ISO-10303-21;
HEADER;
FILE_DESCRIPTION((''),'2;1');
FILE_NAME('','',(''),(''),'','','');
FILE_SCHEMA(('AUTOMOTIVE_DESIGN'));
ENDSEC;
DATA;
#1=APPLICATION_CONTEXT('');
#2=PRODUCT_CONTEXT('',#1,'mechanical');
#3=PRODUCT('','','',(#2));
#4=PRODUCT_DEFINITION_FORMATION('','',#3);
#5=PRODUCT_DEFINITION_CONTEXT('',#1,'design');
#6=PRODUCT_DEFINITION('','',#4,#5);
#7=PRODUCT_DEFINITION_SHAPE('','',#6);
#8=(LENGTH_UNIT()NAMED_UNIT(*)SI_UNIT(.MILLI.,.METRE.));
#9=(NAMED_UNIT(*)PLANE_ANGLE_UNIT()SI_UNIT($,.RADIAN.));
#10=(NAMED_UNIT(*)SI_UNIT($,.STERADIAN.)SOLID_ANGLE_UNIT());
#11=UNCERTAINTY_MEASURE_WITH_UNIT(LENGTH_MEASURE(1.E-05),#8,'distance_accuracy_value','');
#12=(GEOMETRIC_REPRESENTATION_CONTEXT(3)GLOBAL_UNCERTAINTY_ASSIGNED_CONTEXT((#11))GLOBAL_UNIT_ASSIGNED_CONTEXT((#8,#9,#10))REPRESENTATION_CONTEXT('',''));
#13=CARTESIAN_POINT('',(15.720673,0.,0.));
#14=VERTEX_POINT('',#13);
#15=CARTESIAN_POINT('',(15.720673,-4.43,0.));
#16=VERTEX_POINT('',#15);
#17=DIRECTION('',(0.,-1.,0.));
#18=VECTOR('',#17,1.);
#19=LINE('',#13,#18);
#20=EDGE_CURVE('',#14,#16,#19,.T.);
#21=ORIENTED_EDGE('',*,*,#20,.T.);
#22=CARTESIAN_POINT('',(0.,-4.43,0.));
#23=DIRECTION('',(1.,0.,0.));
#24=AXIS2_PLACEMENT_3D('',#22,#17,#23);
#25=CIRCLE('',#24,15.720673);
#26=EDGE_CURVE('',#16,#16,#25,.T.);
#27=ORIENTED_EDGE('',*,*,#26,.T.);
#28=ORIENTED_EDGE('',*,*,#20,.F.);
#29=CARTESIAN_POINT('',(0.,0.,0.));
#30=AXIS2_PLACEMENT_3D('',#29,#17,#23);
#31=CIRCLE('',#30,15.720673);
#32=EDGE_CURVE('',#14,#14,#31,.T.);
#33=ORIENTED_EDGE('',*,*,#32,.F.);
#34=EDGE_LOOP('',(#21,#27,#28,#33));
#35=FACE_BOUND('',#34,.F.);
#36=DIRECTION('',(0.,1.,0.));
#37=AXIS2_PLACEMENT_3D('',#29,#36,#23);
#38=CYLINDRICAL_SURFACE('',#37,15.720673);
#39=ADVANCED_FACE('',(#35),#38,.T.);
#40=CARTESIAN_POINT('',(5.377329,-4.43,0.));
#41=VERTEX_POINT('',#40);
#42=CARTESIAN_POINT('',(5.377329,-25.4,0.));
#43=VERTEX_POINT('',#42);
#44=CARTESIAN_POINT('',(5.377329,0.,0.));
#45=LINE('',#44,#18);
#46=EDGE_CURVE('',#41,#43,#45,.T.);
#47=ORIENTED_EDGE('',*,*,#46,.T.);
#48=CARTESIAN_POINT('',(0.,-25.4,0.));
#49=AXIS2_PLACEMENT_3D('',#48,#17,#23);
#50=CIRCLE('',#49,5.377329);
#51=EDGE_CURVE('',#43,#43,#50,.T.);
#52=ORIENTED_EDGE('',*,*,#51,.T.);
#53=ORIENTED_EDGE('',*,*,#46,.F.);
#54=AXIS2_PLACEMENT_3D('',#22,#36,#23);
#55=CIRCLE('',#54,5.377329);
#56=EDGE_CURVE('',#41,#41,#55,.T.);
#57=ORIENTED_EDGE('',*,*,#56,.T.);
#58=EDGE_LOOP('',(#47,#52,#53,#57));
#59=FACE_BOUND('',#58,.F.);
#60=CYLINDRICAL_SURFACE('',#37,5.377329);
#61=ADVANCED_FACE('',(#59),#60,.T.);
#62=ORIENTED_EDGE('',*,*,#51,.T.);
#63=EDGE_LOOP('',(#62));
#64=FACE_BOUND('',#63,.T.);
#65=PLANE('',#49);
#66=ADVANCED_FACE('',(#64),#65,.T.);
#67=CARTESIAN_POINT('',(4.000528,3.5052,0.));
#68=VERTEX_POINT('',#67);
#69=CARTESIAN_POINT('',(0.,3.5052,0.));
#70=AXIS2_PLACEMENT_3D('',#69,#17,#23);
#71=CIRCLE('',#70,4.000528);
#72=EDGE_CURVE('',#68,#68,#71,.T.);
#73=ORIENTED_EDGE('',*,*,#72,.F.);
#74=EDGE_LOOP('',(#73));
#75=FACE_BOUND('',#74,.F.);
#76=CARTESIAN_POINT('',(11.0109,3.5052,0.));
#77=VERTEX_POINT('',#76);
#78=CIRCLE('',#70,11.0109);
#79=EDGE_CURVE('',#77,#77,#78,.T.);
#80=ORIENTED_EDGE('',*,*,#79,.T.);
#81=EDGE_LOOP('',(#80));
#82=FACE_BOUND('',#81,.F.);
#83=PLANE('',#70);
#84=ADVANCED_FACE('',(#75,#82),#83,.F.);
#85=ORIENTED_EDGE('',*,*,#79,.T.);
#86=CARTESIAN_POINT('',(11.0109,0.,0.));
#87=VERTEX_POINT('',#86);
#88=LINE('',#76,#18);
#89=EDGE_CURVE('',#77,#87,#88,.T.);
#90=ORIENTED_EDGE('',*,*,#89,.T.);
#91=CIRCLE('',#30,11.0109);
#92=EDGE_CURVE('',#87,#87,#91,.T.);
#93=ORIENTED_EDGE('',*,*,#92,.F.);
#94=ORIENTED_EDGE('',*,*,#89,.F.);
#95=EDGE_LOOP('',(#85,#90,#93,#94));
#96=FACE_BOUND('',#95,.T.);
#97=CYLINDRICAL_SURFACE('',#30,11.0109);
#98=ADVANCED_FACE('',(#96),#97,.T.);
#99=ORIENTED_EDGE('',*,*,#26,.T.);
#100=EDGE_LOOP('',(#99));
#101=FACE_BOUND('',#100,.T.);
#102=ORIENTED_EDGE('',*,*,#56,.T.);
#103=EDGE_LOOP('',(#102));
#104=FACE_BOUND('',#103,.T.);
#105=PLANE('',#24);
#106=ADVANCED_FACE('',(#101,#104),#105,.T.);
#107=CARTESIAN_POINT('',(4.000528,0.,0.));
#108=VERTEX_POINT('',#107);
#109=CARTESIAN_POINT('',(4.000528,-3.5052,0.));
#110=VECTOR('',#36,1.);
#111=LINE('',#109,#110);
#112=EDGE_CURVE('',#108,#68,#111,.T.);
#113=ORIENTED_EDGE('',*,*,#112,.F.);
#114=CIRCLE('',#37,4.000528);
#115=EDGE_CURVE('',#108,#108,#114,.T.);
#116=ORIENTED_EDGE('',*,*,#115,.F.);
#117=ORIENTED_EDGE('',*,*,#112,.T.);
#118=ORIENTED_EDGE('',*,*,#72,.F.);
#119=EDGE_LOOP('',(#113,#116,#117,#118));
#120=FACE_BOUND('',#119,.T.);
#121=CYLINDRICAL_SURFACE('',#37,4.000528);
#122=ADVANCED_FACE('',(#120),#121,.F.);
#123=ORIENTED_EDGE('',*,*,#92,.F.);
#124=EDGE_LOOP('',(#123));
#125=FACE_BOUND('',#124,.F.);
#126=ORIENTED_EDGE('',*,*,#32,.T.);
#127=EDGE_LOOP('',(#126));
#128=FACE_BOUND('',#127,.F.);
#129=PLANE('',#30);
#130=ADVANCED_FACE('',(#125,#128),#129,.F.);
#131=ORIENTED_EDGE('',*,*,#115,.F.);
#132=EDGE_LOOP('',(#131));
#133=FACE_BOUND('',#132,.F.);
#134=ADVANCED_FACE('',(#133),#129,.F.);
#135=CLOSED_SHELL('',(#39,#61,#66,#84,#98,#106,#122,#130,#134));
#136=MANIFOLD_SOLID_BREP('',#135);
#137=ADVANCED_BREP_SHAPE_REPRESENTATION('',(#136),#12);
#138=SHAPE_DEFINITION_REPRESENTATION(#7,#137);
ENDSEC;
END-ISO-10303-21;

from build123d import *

# Parameters (mm, degrees)
F0_R     = 11.0109
F0_R_2   = 4.0005284671
F1_DEPTH = 3.5052
F2_R     = 15.7206731231
F3_DEPTH = 4.43
F4_R     = 5.3773289571
F5_DEPTH = 25.4


with BuildPart() as f1:
    # F0 (on Front) → F1 (new body, symmetric)
    with BuildSketch(Plane.XZ):
        Circle(F0_R)
        Circle(F0_R_2, mode=Mode.SUBTRACT)
    extrude(amount=F1_DEPTH, both=True)

    # F2 (on Front) → F3 (join)
    with BuildSketch(Plane.XZ):
        Circle(F2_R)
    extrude(amount=F3_DEPTH)

    # F4 (on Front) → F5 (join)
    with BuildSketch(Plane.XZ):
        Circle(F4_R)
    extrude(amount=F5_DEPTH)


solid = f1.part
